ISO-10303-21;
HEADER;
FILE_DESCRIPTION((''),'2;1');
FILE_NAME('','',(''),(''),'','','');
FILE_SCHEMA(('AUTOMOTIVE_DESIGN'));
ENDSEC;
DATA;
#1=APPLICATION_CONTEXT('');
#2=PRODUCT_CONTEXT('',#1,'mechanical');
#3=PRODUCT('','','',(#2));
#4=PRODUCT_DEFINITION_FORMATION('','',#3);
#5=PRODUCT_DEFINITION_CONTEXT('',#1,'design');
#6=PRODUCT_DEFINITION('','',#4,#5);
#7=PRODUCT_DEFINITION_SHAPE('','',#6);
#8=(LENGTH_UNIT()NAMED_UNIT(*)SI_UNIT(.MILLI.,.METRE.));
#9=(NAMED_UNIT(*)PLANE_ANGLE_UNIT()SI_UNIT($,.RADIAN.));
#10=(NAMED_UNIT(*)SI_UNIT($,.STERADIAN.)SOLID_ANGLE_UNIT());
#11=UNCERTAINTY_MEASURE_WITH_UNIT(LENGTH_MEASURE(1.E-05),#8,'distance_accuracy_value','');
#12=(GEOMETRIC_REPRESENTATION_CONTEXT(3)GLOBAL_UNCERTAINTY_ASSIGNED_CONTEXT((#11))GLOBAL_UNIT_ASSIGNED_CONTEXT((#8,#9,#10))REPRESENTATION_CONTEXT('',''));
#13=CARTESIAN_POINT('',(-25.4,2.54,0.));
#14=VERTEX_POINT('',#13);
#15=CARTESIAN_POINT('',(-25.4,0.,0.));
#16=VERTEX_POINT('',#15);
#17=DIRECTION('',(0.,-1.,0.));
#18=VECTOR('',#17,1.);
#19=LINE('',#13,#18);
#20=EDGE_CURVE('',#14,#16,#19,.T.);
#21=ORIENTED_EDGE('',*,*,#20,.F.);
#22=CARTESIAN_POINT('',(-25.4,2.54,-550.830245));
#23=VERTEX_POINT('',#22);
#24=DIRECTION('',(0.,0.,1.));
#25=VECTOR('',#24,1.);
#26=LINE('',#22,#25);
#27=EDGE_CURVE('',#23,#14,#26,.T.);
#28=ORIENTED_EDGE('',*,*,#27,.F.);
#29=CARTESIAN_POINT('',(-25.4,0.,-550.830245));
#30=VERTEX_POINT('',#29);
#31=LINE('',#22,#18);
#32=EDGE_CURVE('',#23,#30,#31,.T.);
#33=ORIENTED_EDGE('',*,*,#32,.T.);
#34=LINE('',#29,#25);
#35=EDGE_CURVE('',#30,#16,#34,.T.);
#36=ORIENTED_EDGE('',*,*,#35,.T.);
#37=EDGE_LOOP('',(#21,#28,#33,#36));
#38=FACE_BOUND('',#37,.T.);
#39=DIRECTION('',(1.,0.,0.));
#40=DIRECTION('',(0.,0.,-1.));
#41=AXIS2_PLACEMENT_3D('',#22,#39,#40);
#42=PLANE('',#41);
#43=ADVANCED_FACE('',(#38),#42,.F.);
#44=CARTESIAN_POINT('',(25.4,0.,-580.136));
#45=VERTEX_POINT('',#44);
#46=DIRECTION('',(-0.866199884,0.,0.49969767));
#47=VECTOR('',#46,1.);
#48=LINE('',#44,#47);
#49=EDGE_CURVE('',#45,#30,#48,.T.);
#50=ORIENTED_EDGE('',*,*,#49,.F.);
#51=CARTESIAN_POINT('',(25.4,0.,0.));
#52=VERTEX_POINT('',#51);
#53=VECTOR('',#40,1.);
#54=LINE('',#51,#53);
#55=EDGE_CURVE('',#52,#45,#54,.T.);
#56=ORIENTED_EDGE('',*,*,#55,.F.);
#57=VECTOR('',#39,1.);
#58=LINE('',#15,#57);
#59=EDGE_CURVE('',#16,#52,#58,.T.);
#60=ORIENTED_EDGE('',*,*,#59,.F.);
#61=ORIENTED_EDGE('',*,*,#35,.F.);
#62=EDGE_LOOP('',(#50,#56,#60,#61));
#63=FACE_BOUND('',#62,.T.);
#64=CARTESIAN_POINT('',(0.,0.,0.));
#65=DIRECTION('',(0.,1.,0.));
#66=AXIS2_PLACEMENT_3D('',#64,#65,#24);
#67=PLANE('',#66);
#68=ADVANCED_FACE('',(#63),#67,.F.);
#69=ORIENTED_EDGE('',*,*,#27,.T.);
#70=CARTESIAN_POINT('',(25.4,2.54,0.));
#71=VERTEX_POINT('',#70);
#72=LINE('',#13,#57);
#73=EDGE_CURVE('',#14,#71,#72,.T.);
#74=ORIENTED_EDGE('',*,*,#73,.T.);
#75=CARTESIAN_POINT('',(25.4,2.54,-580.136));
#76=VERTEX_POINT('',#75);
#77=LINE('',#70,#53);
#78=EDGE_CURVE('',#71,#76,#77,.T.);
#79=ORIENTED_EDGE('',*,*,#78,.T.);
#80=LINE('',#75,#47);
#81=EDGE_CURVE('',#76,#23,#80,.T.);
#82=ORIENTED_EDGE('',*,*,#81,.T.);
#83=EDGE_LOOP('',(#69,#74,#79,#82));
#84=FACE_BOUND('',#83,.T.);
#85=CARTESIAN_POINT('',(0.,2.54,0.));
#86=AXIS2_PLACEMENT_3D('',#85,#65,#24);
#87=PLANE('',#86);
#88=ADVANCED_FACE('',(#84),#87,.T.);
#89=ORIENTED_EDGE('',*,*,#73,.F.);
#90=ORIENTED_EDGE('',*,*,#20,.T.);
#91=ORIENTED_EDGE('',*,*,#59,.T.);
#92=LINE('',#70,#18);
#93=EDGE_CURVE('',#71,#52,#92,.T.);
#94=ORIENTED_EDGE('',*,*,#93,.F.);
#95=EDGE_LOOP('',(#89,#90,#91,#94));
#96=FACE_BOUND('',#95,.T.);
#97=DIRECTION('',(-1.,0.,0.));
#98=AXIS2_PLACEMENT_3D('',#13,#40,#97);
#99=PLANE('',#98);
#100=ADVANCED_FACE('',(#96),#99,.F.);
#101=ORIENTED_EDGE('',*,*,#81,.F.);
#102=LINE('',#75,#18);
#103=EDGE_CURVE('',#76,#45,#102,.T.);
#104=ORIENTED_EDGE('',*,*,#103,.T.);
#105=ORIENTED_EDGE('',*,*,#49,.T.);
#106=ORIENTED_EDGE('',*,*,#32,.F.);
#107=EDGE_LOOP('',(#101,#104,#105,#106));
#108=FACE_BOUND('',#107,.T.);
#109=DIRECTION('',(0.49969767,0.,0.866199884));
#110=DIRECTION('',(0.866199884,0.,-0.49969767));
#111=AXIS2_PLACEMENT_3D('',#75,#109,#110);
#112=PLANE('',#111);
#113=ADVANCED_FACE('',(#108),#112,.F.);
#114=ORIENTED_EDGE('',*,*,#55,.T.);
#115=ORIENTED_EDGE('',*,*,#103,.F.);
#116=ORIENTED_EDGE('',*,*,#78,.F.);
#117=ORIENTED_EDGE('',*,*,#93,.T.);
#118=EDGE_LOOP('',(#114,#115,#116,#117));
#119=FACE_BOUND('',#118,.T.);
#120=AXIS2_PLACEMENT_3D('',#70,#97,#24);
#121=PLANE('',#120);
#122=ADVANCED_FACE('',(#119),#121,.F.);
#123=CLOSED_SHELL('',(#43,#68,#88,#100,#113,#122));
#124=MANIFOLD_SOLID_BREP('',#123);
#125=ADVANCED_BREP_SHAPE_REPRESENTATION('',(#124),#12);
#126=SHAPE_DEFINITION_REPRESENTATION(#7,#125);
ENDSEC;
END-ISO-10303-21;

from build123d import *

# Parameters (mm, degrees)
BOSS_EXTRUDE1_DEPTH = 2.54


with BuildPart() as part:
    # Sketch1 → Boss-Extrude1 (new body)
    with BuildSketch(Plane(origin=(0, 0, 0), x_dir=(1, 0, 0), z_dir=(0, 1, 0))):
        Polygon((-25.4, 0), (25.4, 0), (25.4, 580.136), (-25.4, 550.830244956), align=None)
    extrude(amount=BOSS_EXTRUDE1_DEPTH)


solid = part.part
